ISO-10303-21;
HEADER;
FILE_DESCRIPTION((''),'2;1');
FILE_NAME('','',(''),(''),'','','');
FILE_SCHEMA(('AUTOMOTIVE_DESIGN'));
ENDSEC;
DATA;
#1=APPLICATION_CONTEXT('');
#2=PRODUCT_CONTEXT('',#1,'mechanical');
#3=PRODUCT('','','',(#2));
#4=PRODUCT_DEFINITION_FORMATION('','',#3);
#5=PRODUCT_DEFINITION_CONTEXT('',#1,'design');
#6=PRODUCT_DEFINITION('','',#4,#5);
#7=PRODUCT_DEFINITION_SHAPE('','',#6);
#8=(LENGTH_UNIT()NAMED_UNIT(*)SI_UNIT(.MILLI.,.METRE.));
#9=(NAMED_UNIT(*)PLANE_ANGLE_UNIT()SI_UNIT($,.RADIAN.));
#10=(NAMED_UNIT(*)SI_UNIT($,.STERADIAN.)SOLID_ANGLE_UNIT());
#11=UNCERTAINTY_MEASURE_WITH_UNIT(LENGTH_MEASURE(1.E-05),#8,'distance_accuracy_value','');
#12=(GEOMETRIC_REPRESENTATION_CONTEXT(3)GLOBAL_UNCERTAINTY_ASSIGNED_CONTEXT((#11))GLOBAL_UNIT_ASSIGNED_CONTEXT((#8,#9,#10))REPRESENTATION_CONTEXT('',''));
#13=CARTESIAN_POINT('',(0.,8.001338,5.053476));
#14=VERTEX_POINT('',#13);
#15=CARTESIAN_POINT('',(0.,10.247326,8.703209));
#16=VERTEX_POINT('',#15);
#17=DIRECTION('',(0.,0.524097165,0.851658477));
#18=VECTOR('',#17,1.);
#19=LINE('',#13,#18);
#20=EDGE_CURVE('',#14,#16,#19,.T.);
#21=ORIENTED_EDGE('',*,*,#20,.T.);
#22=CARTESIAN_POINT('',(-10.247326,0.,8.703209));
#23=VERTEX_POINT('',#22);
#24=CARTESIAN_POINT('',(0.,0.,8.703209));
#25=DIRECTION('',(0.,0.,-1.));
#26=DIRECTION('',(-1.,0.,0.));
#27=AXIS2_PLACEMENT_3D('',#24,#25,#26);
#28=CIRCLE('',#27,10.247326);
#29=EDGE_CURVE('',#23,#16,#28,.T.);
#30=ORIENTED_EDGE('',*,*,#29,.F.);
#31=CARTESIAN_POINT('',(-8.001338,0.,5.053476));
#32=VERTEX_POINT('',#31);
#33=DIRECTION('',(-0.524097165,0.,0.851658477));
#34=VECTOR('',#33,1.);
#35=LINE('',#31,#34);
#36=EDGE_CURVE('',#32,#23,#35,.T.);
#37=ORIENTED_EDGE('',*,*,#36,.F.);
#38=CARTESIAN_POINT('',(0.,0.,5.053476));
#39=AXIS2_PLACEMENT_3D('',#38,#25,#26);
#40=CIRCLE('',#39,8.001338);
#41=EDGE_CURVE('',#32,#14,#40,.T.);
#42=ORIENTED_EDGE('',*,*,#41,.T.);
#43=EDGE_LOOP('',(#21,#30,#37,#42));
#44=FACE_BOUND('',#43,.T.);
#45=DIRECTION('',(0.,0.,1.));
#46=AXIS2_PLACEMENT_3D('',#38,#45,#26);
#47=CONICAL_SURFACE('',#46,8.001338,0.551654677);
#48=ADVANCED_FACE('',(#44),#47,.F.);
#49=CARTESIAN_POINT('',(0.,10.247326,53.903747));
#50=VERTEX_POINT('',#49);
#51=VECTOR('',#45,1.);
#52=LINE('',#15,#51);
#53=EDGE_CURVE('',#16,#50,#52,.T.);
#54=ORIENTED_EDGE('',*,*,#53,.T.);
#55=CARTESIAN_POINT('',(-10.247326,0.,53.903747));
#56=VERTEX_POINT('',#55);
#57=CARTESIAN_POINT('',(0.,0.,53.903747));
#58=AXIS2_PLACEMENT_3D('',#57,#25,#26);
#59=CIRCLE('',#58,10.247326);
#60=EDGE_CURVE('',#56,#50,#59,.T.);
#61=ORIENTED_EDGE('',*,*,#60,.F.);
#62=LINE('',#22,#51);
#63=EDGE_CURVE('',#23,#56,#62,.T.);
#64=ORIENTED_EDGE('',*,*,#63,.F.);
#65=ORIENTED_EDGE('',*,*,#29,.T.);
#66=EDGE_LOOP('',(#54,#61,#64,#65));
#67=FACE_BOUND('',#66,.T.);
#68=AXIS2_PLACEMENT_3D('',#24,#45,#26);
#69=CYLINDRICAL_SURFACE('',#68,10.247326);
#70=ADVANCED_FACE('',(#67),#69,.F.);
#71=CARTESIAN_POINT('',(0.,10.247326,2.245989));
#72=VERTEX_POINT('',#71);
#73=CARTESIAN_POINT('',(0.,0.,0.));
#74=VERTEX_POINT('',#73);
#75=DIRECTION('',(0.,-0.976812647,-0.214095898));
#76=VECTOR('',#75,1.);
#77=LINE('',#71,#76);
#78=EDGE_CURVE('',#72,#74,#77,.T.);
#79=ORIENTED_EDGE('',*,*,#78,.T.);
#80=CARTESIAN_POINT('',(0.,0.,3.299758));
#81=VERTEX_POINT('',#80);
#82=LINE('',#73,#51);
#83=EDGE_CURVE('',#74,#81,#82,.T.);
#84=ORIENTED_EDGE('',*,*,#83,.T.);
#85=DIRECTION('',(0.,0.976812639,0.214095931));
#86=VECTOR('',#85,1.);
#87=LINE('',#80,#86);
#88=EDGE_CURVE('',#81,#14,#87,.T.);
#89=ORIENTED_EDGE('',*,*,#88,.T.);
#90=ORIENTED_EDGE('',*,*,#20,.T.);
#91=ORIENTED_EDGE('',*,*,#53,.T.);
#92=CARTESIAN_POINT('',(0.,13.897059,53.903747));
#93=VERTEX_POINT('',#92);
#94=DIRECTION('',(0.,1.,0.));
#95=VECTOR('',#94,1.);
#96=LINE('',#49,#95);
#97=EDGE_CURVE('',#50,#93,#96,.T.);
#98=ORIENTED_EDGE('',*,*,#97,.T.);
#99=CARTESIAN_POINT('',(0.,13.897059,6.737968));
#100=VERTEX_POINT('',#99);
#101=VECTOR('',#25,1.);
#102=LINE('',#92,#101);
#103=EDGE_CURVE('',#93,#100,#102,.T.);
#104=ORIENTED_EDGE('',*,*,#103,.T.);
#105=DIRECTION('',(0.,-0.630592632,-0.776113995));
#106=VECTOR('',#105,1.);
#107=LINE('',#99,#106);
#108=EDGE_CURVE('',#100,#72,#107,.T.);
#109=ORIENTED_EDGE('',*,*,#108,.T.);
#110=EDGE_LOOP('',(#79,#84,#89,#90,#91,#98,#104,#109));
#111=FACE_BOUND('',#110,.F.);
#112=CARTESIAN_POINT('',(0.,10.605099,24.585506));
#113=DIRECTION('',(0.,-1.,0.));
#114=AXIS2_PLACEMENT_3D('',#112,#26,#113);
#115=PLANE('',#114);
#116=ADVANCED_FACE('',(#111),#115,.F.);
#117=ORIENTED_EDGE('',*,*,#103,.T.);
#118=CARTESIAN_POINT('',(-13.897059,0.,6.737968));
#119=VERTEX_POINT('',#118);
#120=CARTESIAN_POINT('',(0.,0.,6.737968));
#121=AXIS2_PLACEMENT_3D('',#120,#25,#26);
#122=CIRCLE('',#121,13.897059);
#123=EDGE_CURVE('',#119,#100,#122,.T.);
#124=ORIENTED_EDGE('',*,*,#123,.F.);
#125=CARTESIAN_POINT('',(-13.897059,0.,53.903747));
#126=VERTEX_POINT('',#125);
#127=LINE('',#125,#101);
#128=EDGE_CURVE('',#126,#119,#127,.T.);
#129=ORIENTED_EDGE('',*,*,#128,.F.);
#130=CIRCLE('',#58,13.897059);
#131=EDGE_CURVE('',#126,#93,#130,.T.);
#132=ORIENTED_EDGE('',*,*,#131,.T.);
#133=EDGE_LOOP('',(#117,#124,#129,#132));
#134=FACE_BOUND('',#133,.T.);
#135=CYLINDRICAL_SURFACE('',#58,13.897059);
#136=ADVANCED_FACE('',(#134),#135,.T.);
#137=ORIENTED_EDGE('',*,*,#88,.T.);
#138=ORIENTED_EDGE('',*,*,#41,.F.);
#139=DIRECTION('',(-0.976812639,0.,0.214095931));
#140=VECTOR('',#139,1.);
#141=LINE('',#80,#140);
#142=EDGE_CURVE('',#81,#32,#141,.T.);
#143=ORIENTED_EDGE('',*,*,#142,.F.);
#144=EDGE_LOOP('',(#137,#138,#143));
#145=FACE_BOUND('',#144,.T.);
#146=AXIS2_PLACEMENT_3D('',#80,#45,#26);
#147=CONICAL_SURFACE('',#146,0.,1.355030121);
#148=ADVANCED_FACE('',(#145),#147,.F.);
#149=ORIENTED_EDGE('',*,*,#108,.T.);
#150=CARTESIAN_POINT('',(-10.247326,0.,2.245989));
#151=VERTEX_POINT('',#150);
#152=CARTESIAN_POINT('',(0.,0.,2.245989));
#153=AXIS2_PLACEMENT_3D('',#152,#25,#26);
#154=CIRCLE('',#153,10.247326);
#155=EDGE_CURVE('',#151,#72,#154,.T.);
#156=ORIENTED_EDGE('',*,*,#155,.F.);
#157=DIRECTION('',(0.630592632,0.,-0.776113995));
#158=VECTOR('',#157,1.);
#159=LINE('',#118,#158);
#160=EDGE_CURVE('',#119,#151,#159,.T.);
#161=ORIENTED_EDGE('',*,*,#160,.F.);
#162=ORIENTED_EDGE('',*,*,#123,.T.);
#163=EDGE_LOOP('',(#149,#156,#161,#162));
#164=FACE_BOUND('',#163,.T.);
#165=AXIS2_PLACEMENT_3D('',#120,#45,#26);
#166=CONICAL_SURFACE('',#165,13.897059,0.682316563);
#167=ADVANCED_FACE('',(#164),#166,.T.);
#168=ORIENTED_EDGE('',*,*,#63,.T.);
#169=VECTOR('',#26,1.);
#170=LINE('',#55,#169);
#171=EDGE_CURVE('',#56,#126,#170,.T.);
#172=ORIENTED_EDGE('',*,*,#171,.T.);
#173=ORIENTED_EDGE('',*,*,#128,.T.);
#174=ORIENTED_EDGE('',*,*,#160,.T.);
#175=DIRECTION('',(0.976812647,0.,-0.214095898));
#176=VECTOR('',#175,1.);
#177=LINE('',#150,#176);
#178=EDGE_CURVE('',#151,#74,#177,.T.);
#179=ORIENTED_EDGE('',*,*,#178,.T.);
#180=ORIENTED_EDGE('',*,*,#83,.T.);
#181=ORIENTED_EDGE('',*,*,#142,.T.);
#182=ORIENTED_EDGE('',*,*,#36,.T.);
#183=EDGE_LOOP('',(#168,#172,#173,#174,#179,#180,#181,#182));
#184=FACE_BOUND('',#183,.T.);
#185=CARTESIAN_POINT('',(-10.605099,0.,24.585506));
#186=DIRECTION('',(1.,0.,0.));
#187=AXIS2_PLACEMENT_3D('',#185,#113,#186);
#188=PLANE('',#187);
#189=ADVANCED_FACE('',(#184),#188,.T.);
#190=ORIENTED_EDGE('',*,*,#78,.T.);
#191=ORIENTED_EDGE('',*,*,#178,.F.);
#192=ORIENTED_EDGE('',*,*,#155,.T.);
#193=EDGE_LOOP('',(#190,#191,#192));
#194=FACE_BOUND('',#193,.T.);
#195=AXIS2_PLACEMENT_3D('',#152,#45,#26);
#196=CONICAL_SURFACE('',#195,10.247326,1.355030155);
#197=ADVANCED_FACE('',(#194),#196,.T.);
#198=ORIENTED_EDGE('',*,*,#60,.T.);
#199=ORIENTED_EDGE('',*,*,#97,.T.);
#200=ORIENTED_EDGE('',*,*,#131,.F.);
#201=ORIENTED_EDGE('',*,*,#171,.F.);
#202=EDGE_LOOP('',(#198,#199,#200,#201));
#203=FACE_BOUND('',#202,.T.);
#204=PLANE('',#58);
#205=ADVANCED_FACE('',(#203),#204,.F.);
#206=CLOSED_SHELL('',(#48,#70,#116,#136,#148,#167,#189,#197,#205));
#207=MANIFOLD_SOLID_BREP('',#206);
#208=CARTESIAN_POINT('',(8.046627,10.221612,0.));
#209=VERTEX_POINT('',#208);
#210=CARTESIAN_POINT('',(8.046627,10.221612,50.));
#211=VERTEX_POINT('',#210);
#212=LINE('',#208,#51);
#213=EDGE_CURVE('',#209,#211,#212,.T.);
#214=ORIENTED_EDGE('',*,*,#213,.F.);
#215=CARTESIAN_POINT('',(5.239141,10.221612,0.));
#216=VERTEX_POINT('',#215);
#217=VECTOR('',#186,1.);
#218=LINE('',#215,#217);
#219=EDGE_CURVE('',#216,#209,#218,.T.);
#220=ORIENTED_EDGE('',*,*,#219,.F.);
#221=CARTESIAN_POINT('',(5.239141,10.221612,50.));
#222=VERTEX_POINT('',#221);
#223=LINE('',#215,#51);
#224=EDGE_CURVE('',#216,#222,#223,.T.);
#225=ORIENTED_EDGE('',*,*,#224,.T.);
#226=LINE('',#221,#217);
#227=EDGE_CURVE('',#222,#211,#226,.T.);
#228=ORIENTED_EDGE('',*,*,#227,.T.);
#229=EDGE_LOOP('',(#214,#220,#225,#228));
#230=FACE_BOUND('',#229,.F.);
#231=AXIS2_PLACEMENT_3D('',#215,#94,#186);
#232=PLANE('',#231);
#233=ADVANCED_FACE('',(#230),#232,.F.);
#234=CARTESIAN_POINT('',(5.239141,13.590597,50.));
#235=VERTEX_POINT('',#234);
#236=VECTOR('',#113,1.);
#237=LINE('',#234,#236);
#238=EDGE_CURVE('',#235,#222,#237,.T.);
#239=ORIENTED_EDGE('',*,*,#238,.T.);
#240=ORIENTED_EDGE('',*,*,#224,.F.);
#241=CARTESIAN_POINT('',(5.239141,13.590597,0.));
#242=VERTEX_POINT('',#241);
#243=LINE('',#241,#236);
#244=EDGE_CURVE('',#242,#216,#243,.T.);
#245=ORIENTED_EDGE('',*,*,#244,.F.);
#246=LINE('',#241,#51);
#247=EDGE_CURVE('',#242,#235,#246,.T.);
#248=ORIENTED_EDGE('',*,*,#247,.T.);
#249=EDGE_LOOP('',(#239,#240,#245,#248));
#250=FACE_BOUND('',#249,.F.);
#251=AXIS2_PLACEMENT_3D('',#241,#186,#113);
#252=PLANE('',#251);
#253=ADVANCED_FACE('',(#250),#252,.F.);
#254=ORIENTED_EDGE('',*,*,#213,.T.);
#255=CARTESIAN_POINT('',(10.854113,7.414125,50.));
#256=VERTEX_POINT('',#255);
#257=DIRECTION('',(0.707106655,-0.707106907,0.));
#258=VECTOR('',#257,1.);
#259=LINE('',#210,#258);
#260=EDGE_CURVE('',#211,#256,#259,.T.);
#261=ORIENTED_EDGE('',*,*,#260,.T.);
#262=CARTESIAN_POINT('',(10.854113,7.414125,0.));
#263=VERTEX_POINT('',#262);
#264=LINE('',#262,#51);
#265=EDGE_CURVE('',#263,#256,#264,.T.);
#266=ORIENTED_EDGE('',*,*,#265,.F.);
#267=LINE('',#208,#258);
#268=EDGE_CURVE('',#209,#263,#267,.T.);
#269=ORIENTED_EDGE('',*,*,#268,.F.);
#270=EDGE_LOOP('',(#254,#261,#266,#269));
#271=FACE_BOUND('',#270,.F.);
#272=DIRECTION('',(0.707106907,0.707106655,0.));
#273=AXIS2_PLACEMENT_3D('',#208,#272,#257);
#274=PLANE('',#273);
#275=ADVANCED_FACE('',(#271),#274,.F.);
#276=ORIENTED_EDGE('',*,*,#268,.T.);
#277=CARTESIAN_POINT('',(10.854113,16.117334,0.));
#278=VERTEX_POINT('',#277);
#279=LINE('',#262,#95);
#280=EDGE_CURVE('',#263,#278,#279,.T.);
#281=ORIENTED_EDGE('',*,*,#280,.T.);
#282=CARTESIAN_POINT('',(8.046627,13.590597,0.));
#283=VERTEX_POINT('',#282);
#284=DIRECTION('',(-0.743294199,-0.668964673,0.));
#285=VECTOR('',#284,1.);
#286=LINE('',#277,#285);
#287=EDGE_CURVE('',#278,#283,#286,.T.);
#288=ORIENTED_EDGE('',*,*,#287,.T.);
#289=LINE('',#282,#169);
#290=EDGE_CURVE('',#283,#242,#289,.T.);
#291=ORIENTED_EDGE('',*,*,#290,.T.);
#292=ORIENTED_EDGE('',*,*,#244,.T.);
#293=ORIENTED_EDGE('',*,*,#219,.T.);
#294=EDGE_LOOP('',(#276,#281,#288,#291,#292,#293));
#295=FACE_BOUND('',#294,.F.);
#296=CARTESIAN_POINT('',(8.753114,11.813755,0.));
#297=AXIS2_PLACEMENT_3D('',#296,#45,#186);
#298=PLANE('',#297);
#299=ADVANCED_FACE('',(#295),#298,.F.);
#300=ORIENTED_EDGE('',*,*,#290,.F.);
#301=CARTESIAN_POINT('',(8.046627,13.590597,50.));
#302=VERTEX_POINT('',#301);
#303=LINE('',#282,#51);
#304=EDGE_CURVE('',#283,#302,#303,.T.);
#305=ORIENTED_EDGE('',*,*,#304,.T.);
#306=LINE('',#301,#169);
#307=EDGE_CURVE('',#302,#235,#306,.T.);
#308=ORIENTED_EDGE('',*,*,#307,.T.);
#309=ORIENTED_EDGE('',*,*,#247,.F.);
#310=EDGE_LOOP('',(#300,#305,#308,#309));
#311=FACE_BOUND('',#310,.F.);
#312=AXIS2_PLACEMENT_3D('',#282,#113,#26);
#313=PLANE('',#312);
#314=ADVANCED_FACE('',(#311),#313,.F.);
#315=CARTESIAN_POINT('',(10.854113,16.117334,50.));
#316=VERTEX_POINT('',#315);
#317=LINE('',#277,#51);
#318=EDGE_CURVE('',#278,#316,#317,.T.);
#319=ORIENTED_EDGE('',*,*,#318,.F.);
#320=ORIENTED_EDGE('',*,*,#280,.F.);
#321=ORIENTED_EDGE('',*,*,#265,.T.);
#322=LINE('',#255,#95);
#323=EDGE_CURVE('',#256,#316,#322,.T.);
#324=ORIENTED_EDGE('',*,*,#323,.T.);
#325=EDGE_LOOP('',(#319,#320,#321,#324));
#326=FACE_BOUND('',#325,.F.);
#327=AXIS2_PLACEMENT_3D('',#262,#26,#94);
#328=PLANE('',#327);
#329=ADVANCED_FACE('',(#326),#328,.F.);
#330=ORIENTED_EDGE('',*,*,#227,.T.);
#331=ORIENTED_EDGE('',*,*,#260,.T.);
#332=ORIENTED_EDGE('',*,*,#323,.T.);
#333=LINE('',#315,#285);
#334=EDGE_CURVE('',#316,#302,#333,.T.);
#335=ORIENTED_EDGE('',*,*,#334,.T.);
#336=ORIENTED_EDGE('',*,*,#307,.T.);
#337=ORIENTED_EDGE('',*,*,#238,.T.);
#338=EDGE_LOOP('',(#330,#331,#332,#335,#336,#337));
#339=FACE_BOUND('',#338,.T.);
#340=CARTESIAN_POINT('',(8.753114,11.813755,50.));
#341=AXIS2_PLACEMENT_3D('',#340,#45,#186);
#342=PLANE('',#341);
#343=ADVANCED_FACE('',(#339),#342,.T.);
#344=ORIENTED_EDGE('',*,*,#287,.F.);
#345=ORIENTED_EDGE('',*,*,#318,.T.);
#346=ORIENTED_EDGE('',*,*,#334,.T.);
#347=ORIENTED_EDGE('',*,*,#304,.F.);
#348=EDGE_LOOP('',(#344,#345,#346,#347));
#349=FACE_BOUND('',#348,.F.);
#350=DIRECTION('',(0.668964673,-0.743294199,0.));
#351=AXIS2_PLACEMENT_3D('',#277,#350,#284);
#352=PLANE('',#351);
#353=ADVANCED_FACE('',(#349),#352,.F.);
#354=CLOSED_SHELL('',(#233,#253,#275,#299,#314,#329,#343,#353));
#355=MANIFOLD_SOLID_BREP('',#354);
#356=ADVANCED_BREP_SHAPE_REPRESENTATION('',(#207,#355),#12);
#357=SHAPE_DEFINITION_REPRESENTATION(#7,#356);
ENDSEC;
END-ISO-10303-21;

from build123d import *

# Parameters (mm, degrees)
F1_ANGLE = 90
F3_DEPTH = 50


with BuildPart() as f1:
    # F0 (on Front) → F1 (revolve)
    with BuildSketch(Plane.XZ):
        Polygon((-10.247326, 2.245989), (0, 0), (0, 3.299758), (-8.001338, 5.053476), (-10.247326, 8.703209), (-10.247326, 53.903747), (-13.897059, 53.903747), (-13.897059, 6.737968), align=None)
    revolve(axis=Axis((0, 0, 1.649879), (0, 0, -1)), revolution_arc=F1_ANGLE)


with BuildPart() as f3:
    # F2 (on Top) → F3 (new body)
    with BuildSketch(Plane.XY):
        Polygon((8.046627, 13.590597), (5.239141, 13.590597), (5.239141, 10.221612), (8.046627, 10.221612), (10.854113, 7.414125), (10.854113, 16.117334), align=None)
    extrude(amount=F3_DEPTH)


solid = Compound([f1.part, f3.part])
